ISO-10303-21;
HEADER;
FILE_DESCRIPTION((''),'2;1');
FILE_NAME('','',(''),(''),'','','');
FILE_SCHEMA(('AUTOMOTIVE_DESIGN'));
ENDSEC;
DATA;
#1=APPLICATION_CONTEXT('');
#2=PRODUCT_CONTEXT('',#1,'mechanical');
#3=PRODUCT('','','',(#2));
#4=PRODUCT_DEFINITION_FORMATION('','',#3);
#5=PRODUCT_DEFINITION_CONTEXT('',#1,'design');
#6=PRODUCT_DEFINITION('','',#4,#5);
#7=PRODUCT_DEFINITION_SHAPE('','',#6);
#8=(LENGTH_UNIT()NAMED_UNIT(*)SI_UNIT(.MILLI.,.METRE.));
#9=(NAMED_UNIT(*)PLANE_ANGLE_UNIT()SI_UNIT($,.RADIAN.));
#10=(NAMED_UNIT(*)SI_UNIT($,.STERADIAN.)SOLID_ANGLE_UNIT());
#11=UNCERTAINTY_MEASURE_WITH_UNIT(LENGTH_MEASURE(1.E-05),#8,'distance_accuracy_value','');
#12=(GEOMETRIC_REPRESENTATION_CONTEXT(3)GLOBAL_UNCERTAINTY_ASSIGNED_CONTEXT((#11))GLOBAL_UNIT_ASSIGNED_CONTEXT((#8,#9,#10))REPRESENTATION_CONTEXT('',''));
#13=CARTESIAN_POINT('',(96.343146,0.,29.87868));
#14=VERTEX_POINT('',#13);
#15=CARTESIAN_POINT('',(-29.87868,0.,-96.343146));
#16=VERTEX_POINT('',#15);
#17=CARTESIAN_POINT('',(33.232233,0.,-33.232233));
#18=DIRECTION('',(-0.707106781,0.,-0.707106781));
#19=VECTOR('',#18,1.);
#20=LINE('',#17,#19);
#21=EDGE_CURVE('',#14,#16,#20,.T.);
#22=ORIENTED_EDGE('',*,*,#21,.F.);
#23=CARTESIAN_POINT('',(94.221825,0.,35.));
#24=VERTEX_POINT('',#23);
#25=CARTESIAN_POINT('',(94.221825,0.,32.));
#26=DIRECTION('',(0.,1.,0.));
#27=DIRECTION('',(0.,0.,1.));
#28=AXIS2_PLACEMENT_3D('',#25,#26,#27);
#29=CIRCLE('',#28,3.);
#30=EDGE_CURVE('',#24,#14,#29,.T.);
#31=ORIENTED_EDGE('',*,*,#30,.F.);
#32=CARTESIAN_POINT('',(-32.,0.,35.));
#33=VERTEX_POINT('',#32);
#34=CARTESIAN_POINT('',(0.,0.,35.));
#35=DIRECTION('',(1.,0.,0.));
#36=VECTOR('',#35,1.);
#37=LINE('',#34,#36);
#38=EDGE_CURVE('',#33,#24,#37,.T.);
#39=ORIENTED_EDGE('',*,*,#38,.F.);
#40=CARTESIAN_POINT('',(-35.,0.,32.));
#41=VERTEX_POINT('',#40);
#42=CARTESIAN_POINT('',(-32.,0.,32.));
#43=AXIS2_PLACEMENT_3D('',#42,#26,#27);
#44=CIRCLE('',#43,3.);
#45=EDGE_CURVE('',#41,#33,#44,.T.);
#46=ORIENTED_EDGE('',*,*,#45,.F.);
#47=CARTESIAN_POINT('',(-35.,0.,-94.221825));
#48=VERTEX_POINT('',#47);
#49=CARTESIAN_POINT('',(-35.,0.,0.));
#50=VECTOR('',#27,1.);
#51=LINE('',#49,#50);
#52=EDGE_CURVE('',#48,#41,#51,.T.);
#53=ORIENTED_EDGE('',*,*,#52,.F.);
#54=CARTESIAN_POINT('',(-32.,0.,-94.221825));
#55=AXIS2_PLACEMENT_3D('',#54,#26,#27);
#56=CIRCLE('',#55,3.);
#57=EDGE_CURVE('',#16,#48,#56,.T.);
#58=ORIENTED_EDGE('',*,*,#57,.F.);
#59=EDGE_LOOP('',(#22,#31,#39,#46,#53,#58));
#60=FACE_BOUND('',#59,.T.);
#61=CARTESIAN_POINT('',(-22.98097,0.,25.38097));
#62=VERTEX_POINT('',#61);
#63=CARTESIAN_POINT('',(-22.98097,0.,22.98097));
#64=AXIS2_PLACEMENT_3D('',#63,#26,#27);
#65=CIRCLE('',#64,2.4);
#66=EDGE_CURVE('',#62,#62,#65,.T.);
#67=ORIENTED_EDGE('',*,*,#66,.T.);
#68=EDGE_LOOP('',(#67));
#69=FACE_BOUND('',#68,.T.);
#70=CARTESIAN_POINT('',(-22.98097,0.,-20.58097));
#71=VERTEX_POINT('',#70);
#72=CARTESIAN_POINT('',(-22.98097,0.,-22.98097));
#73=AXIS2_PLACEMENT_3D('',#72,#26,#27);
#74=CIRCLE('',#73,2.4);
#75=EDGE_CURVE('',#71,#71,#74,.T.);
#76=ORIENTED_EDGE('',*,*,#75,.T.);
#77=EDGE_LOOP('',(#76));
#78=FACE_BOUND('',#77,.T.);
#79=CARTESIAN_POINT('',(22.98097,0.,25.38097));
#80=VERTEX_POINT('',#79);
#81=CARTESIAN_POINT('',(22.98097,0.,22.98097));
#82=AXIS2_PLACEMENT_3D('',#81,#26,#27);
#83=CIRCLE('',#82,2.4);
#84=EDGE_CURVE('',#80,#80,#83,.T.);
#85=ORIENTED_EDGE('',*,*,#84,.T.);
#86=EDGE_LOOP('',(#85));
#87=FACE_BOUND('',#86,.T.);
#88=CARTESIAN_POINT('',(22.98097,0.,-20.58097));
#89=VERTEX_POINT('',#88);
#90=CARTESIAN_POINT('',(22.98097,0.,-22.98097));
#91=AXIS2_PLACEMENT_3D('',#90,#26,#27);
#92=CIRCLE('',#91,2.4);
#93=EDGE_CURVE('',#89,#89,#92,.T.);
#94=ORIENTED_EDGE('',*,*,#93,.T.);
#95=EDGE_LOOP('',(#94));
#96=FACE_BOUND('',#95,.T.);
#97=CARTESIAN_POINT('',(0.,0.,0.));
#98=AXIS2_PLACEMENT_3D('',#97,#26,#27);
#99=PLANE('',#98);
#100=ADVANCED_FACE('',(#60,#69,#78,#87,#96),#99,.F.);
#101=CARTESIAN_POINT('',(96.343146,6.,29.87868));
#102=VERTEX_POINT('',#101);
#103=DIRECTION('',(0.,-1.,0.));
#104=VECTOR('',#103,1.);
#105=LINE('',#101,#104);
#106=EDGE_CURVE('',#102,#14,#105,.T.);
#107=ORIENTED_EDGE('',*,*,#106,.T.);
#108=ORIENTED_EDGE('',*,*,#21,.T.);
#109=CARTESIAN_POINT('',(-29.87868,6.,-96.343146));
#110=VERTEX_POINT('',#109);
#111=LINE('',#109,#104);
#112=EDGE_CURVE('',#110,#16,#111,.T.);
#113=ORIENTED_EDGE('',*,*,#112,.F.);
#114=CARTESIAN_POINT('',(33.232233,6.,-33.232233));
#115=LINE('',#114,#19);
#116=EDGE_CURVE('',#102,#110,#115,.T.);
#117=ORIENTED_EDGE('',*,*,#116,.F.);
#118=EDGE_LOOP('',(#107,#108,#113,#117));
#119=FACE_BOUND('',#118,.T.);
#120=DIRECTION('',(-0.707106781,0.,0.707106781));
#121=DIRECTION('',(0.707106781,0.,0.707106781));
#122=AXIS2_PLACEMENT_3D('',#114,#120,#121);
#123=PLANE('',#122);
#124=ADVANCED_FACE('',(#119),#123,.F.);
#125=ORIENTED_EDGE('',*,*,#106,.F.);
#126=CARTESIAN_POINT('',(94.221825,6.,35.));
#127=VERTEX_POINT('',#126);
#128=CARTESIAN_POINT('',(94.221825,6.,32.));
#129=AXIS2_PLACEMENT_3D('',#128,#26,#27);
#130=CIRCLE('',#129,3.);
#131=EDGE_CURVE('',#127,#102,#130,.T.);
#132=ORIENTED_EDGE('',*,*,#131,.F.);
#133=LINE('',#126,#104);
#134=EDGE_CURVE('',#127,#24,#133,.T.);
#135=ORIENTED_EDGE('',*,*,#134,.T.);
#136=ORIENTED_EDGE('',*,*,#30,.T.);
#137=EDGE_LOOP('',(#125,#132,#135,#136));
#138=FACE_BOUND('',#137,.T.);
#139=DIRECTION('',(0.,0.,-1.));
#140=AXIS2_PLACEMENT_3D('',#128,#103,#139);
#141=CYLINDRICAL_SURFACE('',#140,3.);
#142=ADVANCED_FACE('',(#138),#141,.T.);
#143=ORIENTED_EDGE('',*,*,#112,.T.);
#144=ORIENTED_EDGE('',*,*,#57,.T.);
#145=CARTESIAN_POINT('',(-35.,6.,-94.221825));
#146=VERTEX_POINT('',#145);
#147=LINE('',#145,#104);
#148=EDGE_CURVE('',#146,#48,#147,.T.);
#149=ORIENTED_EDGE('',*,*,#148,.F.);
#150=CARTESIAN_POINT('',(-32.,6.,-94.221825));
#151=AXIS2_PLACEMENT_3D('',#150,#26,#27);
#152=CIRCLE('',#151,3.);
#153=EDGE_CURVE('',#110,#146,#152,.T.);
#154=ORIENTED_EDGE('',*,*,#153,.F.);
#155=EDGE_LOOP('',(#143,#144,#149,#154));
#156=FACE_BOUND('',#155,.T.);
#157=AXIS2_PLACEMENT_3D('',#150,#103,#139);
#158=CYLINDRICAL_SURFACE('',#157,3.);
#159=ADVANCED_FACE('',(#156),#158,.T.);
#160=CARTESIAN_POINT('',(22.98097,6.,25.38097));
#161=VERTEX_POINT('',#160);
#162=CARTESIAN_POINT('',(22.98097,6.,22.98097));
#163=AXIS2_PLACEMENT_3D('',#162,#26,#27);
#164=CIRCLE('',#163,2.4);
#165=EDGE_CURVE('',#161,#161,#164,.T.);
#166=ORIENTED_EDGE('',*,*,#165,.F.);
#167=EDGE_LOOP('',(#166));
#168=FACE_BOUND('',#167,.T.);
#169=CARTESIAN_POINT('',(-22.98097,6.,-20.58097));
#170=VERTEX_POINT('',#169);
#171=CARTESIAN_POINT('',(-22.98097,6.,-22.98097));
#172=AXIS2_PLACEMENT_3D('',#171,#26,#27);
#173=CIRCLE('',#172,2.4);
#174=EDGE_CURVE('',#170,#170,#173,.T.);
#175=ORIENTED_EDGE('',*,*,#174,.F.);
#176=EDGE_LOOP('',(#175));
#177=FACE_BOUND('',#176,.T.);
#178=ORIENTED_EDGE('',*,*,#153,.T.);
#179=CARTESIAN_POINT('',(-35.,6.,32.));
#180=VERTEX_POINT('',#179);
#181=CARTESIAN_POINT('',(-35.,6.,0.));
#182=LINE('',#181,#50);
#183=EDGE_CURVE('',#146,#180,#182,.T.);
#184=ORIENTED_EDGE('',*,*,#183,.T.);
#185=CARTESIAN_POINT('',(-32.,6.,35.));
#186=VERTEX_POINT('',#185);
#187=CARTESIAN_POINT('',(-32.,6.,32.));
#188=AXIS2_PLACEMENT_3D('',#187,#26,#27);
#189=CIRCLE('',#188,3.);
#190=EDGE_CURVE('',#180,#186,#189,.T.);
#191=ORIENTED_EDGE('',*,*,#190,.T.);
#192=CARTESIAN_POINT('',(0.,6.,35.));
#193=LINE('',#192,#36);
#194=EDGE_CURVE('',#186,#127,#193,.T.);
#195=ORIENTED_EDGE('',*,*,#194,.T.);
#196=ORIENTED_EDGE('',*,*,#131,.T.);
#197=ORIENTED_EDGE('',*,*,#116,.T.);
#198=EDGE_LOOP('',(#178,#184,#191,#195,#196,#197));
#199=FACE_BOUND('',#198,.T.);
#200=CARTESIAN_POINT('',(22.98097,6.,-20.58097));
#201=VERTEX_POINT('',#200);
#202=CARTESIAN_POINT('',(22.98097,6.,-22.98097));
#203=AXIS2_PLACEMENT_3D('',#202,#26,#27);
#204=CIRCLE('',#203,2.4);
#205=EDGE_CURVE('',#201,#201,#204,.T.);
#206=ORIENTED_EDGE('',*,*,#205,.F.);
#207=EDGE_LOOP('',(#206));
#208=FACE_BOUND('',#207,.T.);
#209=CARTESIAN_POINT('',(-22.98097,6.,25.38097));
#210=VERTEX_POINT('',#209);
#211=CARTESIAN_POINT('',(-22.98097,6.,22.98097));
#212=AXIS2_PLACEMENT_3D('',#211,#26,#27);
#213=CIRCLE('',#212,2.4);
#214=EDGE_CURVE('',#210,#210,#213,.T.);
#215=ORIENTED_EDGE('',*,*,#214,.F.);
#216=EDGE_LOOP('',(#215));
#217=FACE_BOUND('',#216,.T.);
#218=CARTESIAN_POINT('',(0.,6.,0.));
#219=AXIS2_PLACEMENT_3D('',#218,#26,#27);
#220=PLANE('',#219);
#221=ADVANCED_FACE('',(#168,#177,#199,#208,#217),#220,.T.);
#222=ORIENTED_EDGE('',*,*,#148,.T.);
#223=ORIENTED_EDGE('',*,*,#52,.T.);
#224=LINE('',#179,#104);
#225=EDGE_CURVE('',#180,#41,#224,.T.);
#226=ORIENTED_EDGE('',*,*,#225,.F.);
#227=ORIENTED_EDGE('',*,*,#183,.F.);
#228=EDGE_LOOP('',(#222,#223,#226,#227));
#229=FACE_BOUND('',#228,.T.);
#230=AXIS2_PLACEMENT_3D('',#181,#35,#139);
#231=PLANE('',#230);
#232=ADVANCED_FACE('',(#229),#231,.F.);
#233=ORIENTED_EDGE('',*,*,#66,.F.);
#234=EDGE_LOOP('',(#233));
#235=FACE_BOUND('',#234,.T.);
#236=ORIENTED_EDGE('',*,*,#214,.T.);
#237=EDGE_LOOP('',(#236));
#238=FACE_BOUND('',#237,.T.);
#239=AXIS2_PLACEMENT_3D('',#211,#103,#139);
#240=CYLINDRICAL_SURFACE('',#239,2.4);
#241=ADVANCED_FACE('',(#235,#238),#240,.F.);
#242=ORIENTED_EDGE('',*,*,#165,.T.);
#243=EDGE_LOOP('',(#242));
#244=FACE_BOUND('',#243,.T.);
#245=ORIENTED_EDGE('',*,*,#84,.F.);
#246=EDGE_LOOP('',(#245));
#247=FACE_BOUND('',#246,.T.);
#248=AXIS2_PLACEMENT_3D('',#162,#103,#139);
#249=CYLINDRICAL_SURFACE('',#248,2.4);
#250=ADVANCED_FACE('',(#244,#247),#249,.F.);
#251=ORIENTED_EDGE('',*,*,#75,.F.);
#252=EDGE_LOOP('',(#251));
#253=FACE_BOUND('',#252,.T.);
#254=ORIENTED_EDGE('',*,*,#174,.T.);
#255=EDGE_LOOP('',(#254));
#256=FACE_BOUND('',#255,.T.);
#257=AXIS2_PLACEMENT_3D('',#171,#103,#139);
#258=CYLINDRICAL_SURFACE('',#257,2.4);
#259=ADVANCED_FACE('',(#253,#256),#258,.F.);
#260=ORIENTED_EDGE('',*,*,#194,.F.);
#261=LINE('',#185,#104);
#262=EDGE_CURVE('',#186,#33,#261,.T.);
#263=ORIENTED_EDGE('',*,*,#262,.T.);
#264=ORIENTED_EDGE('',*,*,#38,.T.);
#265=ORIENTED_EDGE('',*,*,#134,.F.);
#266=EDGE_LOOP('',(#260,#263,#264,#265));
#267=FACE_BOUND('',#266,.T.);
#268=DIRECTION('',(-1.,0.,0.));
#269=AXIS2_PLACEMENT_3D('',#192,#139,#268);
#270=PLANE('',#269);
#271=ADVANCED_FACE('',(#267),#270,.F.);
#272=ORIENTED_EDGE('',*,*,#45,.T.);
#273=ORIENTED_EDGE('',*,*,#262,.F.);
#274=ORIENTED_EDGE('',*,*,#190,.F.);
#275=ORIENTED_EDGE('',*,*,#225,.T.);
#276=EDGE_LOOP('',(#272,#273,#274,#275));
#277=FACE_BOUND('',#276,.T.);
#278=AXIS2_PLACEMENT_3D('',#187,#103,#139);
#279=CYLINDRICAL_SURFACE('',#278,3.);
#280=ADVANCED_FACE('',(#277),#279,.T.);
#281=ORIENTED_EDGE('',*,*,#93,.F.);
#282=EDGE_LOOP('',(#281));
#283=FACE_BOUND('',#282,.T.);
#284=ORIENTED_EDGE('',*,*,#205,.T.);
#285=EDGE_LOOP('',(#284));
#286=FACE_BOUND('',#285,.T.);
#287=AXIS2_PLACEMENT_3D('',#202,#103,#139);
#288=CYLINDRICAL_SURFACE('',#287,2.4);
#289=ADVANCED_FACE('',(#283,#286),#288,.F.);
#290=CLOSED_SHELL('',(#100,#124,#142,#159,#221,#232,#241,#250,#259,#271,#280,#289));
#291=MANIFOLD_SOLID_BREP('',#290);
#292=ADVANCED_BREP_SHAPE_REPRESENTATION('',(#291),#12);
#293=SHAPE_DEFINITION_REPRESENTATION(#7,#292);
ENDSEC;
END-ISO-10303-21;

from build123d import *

# Parameters (mm, degrees)
SKETCH1_R           = 2.4
BOSS_EXTRUDE1_DEPTH = 6


with BuildPart() as part:
    # Sketch1 → Boss-Extrude1 (new body)
    with BuildSketch(Plane(origin=(0, 0, 0), x_dir=(1, 0, 0), z_dir=(0, 1, 0))):
        with BuildLine():
            ThreePointArc((-35, -32), (-34.121320344, -34.121320344), (-32, -35))
            Line((-32, -35), (94.221825407, -35))
            ThreePointArc((94.221825407, -35), (96.993464004, -33.148050297), (96.343145751, -29.878679656))
            Line((96.343145751, -29.878679656), (-29.878679656, 96.343145751))
            ThreePointArc((-29.878679656, 96.343145751), (-33.148050297, 96.993464004), (-35, 94.221825407))
            Line((-35, 94.221825407), (-35, -32))
        make_face()
        with Locations((-22.980970389, -22.980970389)):
            Circle(SKETCH1_R, mode=Mode.SUBTRACT)
        with Locations((22.980970389, -22.980970389)):
            Circle(SKETCH1_R, mode=Mode.SUBTRACT)
        with Locations((-22.980970389, 22.980970389)):
            Circle(SKETCH1_R, mode=Mode.SUBTRACT)
        with Locations((22.980970389, 22.980970389)):
            Circle(SKETCH1_R, mode=Mode.SUBTRACT)
    extrude(amount=BOSS_EXTRUDE1_DEPTH)


solid = part.part
